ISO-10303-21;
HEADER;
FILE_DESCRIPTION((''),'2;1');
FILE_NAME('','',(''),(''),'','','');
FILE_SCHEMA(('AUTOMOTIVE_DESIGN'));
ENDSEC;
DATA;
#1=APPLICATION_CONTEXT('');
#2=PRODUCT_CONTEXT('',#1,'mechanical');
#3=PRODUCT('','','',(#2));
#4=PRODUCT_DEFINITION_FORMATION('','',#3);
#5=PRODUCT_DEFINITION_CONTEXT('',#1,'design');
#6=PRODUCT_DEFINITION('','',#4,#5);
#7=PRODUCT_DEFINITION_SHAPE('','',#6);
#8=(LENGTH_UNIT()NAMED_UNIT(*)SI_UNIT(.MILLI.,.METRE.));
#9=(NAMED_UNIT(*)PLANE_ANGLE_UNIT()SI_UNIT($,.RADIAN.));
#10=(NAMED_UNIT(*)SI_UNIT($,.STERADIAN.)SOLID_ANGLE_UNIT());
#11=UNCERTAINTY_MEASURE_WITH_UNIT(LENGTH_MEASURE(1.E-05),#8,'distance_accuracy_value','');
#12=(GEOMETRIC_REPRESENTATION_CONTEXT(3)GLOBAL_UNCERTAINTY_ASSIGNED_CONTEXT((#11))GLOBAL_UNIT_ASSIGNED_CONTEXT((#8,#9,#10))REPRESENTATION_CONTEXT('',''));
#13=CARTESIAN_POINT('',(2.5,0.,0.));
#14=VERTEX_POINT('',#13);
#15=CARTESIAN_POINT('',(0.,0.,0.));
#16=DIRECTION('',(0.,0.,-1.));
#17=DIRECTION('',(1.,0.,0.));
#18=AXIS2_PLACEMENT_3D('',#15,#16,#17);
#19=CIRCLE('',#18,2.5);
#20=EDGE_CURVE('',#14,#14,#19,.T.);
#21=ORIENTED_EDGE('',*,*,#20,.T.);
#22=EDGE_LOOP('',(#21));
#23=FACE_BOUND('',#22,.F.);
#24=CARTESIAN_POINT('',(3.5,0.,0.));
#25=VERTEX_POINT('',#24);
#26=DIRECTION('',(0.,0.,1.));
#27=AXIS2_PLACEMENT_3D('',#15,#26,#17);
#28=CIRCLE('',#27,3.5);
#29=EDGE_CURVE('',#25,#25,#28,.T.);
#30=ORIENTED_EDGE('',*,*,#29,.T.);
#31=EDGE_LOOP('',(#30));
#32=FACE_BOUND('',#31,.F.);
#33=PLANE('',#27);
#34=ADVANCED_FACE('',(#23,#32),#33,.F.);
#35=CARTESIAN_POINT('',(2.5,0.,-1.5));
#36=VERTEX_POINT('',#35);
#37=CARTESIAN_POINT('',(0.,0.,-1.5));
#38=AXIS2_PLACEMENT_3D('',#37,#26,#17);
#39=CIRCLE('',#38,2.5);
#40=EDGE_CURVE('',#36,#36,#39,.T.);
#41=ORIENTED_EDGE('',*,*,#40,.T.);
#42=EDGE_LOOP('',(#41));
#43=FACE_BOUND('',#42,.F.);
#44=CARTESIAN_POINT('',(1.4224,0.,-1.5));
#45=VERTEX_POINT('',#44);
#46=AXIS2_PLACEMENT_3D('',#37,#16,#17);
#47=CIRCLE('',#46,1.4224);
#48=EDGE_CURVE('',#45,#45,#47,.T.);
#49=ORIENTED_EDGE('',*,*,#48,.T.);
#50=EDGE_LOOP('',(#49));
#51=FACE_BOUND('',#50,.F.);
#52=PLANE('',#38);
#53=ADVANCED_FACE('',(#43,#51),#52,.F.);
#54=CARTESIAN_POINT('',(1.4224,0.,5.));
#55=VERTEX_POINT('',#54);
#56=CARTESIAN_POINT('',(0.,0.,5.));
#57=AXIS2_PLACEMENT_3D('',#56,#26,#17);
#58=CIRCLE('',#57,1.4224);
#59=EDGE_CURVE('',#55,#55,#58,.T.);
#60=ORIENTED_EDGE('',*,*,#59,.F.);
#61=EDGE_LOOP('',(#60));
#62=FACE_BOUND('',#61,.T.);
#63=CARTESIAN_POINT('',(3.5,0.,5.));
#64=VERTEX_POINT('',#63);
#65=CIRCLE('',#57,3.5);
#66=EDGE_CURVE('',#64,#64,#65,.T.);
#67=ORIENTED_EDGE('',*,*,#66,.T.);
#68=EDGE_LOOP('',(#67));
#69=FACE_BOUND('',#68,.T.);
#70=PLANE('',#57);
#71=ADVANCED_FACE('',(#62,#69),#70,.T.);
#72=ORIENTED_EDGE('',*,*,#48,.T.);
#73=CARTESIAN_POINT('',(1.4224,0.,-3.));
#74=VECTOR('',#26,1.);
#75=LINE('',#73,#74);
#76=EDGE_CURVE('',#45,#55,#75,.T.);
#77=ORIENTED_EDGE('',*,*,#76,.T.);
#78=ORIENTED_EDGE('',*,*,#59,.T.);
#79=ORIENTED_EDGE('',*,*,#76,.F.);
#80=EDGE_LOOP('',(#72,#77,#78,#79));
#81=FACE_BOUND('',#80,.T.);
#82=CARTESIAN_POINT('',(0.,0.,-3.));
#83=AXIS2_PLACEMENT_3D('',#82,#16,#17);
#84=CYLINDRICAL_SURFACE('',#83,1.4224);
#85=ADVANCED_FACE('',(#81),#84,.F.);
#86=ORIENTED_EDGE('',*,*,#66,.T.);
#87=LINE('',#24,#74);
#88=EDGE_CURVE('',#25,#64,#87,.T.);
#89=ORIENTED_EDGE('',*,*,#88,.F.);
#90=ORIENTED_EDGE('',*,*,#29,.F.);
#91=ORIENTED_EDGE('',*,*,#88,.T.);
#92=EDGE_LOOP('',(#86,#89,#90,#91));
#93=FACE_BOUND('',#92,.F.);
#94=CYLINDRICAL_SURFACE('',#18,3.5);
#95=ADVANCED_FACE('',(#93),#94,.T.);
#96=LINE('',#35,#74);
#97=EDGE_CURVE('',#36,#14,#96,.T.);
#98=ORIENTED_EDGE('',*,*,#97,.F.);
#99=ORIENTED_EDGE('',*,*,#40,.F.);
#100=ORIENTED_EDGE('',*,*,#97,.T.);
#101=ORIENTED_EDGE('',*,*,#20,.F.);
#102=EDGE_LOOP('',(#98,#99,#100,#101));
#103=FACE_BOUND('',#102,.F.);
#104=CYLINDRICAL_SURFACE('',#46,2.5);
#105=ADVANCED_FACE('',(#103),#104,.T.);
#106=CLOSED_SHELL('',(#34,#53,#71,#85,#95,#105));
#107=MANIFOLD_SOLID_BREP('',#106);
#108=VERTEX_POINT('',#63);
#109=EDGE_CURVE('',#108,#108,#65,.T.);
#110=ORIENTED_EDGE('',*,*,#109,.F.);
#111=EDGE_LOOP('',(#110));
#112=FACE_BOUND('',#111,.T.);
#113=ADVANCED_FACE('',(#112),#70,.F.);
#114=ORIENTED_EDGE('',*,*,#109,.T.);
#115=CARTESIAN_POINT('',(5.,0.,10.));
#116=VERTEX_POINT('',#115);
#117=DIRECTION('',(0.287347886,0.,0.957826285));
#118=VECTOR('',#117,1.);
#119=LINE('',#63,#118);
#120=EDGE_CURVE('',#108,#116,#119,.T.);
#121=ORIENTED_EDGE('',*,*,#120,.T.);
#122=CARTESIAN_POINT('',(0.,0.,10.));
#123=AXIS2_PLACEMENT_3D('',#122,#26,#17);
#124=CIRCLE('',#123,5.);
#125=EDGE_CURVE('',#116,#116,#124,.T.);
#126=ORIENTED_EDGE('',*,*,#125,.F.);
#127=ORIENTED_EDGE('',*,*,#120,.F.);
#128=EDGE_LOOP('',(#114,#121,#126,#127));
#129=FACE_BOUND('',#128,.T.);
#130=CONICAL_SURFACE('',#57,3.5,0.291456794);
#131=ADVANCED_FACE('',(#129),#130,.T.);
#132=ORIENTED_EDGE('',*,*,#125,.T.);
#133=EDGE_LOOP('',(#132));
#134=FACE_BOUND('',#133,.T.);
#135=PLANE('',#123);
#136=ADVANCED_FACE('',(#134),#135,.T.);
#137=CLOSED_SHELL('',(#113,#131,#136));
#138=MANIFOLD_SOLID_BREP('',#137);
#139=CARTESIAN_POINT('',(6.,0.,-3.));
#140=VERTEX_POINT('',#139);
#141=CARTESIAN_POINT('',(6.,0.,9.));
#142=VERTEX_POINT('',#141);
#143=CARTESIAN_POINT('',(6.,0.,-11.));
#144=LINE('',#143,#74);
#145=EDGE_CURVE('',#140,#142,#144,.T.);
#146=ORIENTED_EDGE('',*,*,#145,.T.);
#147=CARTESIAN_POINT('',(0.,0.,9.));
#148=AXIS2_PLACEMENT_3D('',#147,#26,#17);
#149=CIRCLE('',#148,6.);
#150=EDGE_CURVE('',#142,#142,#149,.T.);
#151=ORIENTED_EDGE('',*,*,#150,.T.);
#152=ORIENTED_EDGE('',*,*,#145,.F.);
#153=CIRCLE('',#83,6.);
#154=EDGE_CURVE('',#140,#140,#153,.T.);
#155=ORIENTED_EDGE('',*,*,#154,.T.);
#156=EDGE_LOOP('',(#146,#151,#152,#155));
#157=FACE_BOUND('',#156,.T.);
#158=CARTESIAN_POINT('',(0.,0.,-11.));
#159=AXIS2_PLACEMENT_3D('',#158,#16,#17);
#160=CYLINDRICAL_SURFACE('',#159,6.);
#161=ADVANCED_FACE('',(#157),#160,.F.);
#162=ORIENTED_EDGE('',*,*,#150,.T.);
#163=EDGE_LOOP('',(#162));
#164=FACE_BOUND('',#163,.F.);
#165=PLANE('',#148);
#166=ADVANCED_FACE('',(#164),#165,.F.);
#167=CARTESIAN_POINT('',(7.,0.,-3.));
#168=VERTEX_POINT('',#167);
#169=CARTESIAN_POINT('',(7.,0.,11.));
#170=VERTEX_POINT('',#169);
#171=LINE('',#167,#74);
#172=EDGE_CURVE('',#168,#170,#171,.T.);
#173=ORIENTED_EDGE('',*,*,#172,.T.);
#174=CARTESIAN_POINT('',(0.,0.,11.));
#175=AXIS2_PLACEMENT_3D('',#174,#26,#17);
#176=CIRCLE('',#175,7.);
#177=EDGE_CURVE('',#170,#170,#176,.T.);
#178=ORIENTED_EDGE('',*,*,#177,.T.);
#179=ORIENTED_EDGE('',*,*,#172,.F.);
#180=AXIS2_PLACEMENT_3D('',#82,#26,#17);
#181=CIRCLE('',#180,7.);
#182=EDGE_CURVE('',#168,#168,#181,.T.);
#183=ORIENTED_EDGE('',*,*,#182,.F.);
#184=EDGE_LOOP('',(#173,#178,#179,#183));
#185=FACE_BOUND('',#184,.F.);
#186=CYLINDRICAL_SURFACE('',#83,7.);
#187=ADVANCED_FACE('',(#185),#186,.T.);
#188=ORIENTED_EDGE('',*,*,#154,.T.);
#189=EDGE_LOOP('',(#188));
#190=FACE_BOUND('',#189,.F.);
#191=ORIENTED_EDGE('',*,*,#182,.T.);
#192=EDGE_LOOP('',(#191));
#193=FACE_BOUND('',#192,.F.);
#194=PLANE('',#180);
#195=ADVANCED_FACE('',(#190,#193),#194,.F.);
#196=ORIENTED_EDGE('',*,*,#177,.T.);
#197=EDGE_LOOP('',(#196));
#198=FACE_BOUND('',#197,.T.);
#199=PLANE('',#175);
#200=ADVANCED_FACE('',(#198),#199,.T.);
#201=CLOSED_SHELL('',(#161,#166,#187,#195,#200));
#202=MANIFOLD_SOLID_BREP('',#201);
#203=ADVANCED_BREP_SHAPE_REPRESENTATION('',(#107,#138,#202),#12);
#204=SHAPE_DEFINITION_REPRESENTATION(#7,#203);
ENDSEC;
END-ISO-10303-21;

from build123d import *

# Parameters (mm, degrees)
CYLINDER_R        = 1.4224
CYLINDER_DEPTH    = 8
CYLINDER001_R     = 3.5
CYLINDER001_DEPTH = 5
CYLINDER002_R     = 2.5
CYLINDER002_DEPTH = 5
CYLINDER004_R     = 6
CYLINDER004_DEPTH = 20
CYLINDER003_R     = 7
CYLINDER003_DEPTH = 14


with BuildPart() as cone:
    # Cone → Cone (revolve)
    with BuildSketch(Plane(origin=(0, 0, 5), x_dir=(1, 0, 0), z_dir=(0, -1, 0))):
        Polygon((0, 0), (3.5, 0), (5, 5), (0, 5), align=None)
    revolve(axis=Axis((0, 0, 5), (0, 0, 1)))


with BuildPart() as cylinder:
    # Cylinder → Cylinder (new body)
    with BuildSketch(Plane.XY.offset(-3)):
        Circle(CYLINDER_R)
    extrude(amount=CYLINDER_DEPTH)


with BuildPart() as cylinder001:
    # Cylinder001 → Cylinder001 (new body)
    with BuildSketch(Plane.XY):
        Circle(CYLINDER001_R)
    extrude(amount=CYLINDER001_DEPTH)


with BuildPart() as cut:
    # Cylinder002 → Cylinder002 (new body)
    with BuildSketch(Plane.XY.offset(-1.5)):
        Circle(CYLINDER002_R)
    extrude(amount=CYLINDER002_DEPTH)

    # Fusion: union Cylinder001
    add(cylinder001.part)

    # Cut: cut Cylinder
    add(cylinder.part, mode=Mode.SUBTRACT)


with BuildPart() as cylinder004:
    # Cylinder004 → Cylinder004 (new body)
    with BuildSketch(Plane.XY.offset(-11)):
        Circle(CYLINDER004_R)
    extrude(amount=CYLINDER004_DEPTH)


with BuildPart() as cut001:
    # Cylinder003 → Cylinder003 (new body)
    with BuildSketch(Plane.XY.offset(-3)):
        Circle(CYLINDER003_R)
    extrude(amount=CYLINDER003_DEPTH)

    # Cut001: cut Cylinder004
    add(cylinder004.part, mode=Mode.SUBTRACT)


solid = Compound([cone.part, cut.part, cut001.part])
